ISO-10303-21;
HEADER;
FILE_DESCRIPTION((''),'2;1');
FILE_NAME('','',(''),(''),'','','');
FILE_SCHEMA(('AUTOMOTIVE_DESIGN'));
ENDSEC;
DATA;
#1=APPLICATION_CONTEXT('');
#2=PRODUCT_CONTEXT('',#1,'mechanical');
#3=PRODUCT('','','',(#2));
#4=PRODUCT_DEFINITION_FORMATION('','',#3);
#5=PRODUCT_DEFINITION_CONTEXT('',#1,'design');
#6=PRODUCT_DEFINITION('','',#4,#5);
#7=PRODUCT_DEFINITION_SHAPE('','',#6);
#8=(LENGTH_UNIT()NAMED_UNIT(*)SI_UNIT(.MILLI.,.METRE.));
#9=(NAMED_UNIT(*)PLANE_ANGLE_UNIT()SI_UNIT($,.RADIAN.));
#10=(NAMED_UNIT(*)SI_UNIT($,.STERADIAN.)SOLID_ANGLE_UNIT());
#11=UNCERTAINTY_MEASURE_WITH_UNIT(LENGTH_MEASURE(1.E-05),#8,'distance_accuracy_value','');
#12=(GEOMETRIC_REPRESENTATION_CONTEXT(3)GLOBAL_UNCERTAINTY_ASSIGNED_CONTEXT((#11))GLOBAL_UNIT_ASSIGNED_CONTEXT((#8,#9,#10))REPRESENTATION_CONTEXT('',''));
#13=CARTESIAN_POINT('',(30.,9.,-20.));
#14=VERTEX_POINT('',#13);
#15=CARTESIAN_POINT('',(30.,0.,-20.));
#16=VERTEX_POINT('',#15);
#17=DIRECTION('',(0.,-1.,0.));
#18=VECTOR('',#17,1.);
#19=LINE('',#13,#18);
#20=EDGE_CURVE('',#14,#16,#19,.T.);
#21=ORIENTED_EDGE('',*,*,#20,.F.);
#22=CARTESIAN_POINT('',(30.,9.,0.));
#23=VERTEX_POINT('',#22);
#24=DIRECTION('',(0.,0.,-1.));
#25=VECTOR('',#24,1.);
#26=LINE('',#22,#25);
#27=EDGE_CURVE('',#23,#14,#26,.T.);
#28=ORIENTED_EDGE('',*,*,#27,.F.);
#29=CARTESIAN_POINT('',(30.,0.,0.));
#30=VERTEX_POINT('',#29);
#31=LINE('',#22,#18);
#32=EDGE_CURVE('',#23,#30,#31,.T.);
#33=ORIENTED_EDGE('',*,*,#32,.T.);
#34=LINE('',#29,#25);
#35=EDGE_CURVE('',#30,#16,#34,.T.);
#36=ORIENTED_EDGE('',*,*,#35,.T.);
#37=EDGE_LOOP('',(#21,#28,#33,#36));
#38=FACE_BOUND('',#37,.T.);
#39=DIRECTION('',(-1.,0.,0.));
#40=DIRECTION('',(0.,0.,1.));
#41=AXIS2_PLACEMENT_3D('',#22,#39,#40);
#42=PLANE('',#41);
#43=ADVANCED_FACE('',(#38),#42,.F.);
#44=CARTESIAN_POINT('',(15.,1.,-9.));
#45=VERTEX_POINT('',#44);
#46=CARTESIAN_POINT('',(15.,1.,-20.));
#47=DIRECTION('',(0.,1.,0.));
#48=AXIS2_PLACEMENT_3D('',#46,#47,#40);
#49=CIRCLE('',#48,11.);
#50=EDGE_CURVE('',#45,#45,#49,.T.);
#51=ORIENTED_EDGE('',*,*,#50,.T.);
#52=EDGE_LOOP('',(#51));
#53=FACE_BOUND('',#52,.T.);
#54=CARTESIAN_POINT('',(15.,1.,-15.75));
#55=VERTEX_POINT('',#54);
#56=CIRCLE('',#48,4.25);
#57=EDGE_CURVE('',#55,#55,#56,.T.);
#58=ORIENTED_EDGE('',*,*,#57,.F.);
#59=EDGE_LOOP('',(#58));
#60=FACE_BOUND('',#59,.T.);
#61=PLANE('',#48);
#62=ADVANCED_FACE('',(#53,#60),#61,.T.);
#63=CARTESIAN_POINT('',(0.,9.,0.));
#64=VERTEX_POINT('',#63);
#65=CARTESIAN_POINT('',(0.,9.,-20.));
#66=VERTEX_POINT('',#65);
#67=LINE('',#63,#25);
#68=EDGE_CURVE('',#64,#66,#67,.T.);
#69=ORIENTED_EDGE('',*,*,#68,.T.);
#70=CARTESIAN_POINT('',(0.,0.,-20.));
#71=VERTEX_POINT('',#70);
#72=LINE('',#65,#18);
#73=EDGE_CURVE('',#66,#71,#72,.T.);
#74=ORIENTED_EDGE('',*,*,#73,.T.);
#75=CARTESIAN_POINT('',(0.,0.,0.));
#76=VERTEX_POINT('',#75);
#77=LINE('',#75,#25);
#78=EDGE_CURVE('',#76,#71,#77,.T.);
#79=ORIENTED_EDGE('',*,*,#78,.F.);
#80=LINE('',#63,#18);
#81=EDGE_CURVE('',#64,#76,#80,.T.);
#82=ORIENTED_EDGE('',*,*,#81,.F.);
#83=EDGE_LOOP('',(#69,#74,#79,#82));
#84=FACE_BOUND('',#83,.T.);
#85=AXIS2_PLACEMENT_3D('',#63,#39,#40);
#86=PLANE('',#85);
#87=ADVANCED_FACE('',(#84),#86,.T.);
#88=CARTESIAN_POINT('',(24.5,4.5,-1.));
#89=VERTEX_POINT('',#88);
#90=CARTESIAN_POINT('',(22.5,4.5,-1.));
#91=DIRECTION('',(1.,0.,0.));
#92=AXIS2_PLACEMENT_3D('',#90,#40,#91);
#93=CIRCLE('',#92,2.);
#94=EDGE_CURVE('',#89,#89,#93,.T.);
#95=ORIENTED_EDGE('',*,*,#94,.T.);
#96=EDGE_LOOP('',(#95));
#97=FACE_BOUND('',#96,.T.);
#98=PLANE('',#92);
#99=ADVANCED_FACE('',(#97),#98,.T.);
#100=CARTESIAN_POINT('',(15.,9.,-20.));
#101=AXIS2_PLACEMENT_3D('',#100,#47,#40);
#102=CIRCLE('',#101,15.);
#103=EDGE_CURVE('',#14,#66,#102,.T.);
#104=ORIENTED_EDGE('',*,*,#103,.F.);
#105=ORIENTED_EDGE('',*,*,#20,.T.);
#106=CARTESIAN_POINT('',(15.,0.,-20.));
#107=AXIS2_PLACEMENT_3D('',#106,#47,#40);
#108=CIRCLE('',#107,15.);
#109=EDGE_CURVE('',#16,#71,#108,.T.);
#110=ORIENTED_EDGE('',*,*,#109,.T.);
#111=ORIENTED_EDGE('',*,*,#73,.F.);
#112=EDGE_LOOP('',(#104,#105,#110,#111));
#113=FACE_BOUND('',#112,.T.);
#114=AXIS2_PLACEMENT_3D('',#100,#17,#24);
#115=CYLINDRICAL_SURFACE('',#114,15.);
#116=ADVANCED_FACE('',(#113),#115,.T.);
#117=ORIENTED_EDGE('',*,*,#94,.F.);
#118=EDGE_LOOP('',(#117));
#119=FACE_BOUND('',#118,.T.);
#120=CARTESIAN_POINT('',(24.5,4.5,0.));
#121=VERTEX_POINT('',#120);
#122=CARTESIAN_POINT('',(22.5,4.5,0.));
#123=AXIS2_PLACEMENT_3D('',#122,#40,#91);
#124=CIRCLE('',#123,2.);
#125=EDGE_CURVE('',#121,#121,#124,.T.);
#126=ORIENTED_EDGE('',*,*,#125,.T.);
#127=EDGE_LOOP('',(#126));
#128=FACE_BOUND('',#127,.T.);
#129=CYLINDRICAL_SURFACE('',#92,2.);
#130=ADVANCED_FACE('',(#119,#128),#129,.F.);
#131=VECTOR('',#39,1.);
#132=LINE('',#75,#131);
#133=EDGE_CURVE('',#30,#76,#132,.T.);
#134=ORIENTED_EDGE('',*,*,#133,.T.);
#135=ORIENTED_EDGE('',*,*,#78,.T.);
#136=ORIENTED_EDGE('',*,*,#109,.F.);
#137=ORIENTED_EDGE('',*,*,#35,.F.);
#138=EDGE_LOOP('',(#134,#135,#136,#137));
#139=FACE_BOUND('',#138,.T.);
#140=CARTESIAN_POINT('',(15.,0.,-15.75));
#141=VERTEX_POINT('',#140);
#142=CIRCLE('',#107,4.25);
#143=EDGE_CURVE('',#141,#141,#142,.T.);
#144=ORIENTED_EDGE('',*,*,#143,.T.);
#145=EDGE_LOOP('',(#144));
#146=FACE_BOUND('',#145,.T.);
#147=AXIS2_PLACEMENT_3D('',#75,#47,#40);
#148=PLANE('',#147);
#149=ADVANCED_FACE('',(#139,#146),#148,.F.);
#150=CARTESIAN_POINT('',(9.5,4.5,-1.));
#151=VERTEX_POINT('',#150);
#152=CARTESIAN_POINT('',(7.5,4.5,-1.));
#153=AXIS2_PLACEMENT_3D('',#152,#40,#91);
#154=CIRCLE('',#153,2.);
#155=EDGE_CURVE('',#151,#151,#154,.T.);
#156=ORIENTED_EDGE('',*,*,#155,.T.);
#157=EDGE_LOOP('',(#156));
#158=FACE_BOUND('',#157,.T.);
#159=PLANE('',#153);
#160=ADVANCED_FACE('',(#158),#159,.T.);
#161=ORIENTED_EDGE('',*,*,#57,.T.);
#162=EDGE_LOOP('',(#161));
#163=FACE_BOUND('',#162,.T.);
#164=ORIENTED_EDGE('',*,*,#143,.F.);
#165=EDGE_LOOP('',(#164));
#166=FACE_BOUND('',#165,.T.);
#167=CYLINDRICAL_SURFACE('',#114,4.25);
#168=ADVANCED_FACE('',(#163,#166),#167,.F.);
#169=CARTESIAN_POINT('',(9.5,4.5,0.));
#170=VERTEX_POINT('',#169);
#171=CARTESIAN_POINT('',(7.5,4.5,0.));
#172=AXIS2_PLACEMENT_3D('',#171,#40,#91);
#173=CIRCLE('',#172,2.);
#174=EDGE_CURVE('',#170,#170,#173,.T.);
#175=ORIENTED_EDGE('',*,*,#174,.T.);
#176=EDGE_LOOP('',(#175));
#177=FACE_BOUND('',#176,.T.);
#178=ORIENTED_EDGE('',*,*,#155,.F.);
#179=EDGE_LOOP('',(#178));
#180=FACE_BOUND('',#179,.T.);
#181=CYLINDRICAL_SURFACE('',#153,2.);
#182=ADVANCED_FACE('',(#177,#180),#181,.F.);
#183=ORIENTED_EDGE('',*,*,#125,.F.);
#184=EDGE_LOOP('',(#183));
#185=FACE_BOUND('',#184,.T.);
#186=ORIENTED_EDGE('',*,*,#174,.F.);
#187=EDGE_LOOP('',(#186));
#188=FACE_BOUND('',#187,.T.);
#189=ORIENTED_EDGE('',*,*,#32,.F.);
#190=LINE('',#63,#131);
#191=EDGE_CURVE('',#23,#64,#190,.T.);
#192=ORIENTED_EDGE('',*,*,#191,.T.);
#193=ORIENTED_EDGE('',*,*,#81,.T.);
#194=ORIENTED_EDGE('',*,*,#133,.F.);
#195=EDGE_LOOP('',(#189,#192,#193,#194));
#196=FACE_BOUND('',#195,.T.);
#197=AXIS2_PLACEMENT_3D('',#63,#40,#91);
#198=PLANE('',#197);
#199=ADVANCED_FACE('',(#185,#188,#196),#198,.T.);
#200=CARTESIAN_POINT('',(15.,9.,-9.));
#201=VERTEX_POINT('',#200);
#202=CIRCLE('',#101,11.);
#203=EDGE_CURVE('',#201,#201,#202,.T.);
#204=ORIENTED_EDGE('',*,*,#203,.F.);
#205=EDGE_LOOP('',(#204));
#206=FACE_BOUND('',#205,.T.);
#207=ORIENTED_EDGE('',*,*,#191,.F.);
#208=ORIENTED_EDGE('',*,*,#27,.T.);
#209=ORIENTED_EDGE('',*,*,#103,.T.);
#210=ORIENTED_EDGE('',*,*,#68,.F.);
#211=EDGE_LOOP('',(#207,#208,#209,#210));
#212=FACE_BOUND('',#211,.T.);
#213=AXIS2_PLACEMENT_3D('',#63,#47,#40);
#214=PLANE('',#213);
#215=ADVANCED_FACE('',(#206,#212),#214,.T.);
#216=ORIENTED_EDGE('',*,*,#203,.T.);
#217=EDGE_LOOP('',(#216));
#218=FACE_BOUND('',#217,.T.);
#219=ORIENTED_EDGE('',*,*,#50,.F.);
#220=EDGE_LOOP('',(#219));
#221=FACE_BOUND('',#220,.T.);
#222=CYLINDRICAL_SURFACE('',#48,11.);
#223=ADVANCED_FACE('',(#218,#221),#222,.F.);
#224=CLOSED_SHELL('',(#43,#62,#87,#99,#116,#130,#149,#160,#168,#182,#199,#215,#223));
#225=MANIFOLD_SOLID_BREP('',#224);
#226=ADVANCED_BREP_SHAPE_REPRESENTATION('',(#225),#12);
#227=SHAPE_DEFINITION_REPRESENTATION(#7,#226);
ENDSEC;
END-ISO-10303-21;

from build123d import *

# Parameters (mm, degrees)
SKETCH1_R           = 11
SKETCH1_R_2         = 4.25
BOSS_EXTRUDE1_DEPTH = 9
SKETCH2_R           = 11
CUT_EXTRUDE1_DEPTH  = 8
SKETCH4_R           = 2
CUT_EXTRUDE2_DEPTH  = 1


with BuildPart() as part:
    # Sketch1 → Boss-Extrude1 (new body)
    with BuildSketch(Plane(origin=(0, 0, 0), x_dir=(1, 0, 0), z_dir=(0, 1, 0))):
        with BuildLine():
            Line((30, 0), (30, 20))
            ThreePointArc((30, 20), (15, 35), (0, 20))
            Line((0, 20), (0, 0))
            Line((0, 0), (30, 0))
        make_face()
        with Locations((15, 20)):
            Circle(SKETCH1_R, mode=Mode.SUBTRACT)
        with Locations((15, 20)):
            Circle(SKETCH1_R)
        with Locations((15, 20)):
            Circle(SKETCH1_R_2, mode=Mode.SUBTRACT)
    extrude(amount=BOSS_EXTRUDE1_DEPTH)

    # Sketch2 → Cut-Extrude1 (cut)
    with BuildSketch(Plane(origin=(0, 9, 0), x_dir=(1, 0, 0), z_dir=(0, 1, 0))):
        with Locations((15, 20)):
            Circle(SKETCH2_R)
    extrude(amount=-CUT_EXTRUDE1_DEPTH, mode=Mode.SUBTRACT)

    # Sketch4 → Cut-Extrude2 (cut)
    with BuildSketch(Plane.XY):
        with Locations((7.5, 4.5)):
            Circle(SKETCH4_R)
        with Locations((22.5, 4.5)):
            Circle(SKETCH4_R)
    extrude(amount=-CUT_EXTRUDE2_DEPTH, mode=Mode.SUBTRACT)


solid = part.part
